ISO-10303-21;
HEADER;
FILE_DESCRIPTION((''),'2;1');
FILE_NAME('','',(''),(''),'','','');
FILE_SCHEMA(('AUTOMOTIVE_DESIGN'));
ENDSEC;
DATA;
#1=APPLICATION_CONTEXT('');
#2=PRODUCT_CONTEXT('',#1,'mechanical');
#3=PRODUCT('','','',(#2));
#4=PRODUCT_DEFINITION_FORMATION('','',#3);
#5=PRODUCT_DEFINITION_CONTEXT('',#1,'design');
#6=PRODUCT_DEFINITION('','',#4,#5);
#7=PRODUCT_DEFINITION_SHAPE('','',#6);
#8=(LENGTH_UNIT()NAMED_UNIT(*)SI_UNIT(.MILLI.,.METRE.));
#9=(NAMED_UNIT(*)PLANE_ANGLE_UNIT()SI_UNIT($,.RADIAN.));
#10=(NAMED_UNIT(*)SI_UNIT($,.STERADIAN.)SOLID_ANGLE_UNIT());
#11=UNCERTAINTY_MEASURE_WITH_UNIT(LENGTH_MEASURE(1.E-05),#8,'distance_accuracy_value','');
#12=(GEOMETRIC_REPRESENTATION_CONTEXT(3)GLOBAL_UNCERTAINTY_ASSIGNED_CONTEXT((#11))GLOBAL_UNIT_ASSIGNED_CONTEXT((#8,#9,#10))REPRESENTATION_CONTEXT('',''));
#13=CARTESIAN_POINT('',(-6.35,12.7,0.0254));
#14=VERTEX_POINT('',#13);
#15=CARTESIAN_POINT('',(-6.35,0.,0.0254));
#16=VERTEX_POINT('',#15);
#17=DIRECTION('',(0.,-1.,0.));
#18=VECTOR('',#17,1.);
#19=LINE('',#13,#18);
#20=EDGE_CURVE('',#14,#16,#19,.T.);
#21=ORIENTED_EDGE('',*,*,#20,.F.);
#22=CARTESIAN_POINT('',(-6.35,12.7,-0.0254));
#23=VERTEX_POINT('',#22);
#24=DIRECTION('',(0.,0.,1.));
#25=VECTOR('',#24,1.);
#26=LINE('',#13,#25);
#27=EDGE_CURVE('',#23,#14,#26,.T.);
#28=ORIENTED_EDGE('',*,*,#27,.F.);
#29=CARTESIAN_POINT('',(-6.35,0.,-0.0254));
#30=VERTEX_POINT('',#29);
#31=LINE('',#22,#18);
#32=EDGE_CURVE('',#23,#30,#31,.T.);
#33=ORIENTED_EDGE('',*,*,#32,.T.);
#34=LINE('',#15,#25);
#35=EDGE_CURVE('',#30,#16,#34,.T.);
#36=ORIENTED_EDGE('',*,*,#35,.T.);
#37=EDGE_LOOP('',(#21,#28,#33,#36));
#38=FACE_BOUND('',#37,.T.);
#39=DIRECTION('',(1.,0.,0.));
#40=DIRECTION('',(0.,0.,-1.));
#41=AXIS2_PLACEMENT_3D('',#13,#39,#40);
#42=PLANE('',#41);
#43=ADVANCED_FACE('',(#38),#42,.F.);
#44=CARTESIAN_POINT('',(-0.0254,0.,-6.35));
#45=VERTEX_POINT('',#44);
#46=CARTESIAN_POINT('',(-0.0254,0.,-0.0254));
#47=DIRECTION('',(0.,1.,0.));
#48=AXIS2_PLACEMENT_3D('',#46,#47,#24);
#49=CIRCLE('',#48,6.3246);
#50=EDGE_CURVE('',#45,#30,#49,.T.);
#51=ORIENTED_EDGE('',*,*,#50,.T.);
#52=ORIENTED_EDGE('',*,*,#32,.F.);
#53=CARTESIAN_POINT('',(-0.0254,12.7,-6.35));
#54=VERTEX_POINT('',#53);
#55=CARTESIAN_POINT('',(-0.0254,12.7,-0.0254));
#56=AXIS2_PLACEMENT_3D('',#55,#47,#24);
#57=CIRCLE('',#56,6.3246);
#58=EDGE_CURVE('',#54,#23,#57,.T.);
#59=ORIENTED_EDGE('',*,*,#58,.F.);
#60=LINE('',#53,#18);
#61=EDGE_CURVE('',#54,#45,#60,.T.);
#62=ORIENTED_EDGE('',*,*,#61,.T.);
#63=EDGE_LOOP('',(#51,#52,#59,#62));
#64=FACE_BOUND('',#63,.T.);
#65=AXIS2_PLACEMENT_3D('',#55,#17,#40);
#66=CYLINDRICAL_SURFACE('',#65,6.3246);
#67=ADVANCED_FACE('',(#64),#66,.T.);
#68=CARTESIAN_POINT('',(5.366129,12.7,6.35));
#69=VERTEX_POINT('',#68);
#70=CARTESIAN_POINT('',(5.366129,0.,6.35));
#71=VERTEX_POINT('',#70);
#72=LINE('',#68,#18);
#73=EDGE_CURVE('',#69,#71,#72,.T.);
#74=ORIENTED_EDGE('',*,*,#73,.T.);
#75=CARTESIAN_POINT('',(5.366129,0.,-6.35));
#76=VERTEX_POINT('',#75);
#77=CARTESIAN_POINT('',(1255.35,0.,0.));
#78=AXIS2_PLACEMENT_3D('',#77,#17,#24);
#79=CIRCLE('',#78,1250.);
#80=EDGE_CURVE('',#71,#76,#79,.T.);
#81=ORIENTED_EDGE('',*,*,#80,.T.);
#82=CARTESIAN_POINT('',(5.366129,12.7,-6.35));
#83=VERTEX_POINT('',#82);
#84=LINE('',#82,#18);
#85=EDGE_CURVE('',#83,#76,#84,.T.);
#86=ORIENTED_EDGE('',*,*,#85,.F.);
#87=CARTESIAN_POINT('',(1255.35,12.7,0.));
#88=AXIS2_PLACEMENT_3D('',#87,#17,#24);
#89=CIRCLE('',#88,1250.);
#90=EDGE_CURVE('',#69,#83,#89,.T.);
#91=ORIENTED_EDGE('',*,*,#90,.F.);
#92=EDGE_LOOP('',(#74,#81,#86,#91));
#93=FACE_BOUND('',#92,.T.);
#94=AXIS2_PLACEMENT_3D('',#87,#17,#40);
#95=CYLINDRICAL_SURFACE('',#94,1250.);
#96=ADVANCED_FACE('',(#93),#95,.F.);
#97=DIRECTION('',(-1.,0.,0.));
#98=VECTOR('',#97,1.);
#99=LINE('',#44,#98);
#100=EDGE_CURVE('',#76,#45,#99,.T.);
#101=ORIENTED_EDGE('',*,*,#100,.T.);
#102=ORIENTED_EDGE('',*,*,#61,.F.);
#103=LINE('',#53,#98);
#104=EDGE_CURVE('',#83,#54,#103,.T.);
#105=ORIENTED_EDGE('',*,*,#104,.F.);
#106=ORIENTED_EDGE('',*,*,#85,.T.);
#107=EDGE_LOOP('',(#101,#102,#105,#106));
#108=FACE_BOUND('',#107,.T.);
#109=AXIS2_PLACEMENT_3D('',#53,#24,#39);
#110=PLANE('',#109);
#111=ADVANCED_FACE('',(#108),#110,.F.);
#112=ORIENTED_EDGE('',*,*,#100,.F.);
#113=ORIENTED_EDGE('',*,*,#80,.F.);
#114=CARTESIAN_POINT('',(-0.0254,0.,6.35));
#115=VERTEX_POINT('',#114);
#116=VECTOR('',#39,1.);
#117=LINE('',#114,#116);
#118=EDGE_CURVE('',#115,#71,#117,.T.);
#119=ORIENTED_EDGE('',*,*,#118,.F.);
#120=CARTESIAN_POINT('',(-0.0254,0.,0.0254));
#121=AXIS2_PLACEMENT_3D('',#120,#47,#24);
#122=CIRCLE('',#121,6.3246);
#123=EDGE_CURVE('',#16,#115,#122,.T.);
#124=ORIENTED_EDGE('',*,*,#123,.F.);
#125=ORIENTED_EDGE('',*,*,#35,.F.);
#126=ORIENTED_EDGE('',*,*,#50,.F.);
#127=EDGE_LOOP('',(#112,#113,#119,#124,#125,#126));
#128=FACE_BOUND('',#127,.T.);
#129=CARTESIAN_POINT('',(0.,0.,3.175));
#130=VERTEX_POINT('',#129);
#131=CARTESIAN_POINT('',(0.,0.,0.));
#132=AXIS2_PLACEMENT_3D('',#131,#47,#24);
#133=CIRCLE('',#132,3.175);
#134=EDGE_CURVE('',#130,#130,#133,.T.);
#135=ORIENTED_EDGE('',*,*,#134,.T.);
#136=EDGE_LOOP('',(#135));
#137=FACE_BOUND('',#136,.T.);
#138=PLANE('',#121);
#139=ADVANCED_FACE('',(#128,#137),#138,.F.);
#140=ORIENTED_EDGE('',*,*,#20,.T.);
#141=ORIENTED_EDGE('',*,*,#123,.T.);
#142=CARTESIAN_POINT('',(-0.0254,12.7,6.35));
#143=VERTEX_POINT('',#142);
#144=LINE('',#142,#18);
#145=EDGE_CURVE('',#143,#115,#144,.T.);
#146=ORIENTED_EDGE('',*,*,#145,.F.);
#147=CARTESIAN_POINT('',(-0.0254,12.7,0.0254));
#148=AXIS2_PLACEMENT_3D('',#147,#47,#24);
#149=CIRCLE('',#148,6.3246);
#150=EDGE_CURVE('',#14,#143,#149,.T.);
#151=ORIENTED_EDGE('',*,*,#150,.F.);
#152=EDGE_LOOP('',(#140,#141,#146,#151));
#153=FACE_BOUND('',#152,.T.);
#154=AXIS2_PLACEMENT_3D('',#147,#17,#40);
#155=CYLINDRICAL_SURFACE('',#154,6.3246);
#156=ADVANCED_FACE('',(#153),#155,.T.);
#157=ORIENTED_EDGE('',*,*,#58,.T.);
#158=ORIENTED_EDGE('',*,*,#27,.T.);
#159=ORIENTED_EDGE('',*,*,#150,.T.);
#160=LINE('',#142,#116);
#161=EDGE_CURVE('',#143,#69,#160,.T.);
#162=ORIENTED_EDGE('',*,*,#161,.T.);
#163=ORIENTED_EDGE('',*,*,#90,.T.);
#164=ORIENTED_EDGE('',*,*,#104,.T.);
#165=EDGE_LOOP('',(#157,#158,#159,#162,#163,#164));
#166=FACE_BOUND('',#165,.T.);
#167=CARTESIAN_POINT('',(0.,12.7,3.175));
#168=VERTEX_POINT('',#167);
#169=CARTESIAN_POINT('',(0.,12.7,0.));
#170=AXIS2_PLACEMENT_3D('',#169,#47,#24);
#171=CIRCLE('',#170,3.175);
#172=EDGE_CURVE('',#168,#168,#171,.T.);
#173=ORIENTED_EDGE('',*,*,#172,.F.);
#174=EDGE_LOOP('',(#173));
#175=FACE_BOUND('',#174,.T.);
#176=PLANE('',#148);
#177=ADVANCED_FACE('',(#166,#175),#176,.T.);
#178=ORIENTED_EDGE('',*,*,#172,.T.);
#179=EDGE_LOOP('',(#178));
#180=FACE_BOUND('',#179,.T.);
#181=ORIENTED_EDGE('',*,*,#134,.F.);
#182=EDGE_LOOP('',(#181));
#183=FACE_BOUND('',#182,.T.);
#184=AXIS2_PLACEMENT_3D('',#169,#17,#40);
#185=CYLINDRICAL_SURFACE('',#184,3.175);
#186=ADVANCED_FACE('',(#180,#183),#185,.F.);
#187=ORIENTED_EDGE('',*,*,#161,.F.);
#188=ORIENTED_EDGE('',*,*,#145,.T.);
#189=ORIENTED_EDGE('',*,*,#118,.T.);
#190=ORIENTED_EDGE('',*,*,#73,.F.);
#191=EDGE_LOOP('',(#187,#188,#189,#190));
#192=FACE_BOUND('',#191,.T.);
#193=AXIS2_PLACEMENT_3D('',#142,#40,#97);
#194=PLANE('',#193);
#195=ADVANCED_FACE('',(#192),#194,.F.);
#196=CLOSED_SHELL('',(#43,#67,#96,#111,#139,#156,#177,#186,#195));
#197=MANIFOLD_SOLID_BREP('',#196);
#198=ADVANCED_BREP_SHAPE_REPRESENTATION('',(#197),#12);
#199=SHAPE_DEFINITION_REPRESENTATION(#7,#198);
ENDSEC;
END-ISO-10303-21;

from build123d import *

# Parameters (mm, degrees)
SKETCH1_R           = 3.175
BOSS_EXTRUDE1_DEPTH = 12.7


with BuildPart() as part:
    # Sketch1 → Boss-Extrude1 (new body)
    with BuildSketch(Plane(origin=(0, 0, 0), x_dir=(1, 0, 0), z_dir=(0, 1, 0))):
        with BuildLine():
            Line((-0.0254, -6.35), (5.366129104, -6.35))
            ThreePointArc((5.366129104, -6.35), (5.35, 0), (5.366129104, 6.35))
            Line((5.366129104, 6.35), (-0.0254, 6.35))
            ThreePointArc((-0.0254, 6.35), (-4.497567548, 4.497567548), (-6.35, 0.0254))
            Line((-6.35, 0.0254), (-6.35, -0.0254))
            ThreePointArc((-6.35, -0.0254), (-4.497567548, -4.497567548), (-0.0254, -6.35))
        make_face()
        Circle(SKETCH1_R, mode=Mode.SUBTRACT)
    extrude(amount=BOSS_EXTRUDE1_DEPTH)


solid = part.part
